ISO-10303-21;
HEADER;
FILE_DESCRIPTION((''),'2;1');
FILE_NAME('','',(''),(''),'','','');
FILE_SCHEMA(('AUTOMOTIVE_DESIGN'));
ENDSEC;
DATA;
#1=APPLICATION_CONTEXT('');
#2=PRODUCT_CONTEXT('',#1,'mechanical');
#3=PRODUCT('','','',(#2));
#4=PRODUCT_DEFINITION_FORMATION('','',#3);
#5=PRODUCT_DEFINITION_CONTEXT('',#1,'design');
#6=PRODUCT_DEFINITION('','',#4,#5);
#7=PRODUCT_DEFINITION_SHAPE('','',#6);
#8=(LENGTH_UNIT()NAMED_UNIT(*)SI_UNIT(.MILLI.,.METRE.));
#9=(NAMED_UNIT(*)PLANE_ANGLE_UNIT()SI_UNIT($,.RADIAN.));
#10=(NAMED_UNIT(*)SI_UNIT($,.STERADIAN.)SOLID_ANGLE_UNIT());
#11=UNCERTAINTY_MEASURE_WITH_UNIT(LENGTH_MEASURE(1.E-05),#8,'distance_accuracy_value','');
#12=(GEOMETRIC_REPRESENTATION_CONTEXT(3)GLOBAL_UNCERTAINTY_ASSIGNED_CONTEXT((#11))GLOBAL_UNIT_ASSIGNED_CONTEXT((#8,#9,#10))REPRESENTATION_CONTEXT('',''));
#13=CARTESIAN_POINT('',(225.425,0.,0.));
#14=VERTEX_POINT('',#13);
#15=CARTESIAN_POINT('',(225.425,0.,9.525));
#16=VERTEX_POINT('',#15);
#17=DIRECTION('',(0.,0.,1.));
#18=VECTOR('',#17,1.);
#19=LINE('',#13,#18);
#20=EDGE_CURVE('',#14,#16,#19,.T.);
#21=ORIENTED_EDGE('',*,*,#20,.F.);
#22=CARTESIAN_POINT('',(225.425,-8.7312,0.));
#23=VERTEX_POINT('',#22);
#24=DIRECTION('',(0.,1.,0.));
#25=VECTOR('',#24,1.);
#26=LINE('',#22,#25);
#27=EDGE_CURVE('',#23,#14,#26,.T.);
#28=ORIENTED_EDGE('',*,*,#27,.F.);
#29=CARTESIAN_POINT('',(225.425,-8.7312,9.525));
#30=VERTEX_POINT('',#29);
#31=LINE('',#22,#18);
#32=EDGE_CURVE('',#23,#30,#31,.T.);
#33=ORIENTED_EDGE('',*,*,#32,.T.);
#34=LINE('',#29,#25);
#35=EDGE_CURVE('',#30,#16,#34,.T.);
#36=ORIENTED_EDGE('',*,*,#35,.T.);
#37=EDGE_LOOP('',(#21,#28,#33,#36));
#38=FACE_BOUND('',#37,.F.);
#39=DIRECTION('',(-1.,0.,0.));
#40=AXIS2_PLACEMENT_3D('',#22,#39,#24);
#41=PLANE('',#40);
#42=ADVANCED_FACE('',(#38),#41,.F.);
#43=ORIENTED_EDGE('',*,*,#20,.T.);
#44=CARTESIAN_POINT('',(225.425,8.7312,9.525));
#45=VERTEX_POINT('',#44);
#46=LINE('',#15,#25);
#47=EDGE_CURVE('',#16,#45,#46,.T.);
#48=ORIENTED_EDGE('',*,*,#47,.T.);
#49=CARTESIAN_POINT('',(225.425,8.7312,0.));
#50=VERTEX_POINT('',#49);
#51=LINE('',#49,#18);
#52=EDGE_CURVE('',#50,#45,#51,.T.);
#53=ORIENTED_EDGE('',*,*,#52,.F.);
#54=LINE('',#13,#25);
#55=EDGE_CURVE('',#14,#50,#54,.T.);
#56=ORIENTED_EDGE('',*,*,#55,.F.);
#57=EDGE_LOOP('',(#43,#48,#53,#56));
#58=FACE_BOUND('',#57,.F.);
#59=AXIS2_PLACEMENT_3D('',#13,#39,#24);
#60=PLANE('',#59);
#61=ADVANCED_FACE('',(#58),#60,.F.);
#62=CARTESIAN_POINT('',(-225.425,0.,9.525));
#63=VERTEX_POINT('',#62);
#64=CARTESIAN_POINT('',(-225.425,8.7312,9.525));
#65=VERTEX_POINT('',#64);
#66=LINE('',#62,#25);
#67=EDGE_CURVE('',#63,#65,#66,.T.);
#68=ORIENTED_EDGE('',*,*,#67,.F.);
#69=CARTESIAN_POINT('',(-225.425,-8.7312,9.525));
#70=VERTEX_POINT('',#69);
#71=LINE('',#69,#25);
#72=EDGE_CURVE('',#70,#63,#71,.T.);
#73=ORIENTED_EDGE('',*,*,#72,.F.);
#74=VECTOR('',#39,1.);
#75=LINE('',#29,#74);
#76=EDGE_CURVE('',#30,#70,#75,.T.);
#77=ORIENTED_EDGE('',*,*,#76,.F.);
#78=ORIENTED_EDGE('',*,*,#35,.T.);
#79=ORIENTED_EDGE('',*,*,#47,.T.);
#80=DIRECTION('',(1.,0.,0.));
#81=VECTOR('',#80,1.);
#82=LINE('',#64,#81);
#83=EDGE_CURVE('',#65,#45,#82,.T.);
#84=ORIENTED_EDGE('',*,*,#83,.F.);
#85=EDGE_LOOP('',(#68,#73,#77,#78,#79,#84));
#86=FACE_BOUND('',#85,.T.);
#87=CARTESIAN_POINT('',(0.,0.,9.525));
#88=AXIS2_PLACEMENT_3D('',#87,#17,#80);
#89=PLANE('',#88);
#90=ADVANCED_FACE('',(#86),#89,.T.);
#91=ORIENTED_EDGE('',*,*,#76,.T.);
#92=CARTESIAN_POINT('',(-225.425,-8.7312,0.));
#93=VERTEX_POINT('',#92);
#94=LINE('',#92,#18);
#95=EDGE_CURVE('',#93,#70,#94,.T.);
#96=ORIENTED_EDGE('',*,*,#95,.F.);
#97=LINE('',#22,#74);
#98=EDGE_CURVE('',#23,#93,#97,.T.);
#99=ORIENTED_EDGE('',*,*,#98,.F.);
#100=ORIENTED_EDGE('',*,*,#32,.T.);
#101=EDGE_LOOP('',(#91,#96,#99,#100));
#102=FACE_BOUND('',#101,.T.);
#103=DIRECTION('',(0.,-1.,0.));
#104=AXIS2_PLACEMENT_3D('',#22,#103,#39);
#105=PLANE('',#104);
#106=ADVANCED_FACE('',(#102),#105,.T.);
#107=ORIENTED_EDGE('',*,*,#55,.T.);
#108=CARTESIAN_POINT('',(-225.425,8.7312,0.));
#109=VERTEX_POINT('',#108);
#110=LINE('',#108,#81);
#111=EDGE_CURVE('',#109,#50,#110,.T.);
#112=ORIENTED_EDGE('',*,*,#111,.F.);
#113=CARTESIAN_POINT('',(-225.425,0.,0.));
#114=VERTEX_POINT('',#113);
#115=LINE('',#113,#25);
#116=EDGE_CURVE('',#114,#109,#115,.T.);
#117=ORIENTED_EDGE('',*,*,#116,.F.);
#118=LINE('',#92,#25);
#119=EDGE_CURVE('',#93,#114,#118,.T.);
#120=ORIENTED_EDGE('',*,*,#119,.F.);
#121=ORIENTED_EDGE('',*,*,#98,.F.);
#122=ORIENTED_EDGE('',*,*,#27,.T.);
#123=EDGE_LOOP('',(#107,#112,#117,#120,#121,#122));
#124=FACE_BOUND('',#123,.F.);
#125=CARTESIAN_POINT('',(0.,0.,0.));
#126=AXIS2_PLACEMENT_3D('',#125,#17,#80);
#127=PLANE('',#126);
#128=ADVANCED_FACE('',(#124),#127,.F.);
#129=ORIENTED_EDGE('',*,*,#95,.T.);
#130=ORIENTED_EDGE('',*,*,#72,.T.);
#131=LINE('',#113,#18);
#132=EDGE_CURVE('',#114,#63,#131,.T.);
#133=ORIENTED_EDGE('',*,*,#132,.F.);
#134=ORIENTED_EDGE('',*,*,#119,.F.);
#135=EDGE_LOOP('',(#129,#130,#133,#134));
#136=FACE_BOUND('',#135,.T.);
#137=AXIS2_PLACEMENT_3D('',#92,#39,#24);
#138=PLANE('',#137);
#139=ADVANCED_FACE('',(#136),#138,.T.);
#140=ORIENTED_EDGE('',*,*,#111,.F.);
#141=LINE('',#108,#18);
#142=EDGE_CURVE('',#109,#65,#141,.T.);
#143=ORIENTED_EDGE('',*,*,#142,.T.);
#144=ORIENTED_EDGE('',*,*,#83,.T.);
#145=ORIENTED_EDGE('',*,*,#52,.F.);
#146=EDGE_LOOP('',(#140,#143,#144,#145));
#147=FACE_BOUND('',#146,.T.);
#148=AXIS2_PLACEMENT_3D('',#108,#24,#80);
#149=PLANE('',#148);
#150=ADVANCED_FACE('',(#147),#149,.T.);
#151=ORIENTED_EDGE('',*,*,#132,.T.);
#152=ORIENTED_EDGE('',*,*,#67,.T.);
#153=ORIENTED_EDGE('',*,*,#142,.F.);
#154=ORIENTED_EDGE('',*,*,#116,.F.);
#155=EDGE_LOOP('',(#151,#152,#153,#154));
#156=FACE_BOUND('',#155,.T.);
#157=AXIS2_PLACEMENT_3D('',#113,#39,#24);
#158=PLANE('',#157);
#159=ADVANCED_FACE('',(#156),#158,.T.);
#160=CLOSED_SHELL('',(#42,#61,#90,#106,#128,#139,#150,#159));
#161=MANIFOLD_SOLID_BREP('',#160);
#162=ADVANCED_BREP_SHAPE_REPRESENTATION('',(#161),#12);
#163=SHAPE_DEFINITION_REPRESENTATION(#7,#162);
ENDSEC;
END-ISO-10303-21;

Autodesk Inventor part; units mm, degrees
ref_plane "YZ Plane" through (0, 0, 0) normal (1, 0, 0) x (0, 1, 0)
ref_plane "XZ Plane" through (0, 0, 0) normal (0, 1, 0) x (-1, 0, 0)
ref_plane "XY Plane" through (0, 0, 0) normal (0, 0, 1) x (1, 0, 0)
sketch "Sketch1" plane through (0, 0, 0) normal (0, 0, 1) x (1, 0, 0)
  line L0 (225.425, -8.7312) -> (-225.425, -8.7312)
  line L1 (-225.425, 8.7312) -> (225.425, 8.7312)
  line L2 (-225.425, -8.7312) -> (225.425, 8.7312) construction
  line L3 (0, 0) -> (0, 8.7313) construction
  line L4 (-225.425, -8.7312) -> (-225.425, 0)
  line L5 (-225.425, 0) -> (-225.425, 8.7312)
  line L6 (225.425, -8.7312) -> (225.425, 0)
  line L7 (225.425, 0) -> (225.425, 8.7312)
  dimension "d6" = 225.425
  dimension "d14" = 17.4625
extrude "Extrusion1" add sketch "Sketch1" along normal blind 9.525
properties part number "BASE_FRONT,BACK_TREBUCHET" material "Wood (Birch)"
